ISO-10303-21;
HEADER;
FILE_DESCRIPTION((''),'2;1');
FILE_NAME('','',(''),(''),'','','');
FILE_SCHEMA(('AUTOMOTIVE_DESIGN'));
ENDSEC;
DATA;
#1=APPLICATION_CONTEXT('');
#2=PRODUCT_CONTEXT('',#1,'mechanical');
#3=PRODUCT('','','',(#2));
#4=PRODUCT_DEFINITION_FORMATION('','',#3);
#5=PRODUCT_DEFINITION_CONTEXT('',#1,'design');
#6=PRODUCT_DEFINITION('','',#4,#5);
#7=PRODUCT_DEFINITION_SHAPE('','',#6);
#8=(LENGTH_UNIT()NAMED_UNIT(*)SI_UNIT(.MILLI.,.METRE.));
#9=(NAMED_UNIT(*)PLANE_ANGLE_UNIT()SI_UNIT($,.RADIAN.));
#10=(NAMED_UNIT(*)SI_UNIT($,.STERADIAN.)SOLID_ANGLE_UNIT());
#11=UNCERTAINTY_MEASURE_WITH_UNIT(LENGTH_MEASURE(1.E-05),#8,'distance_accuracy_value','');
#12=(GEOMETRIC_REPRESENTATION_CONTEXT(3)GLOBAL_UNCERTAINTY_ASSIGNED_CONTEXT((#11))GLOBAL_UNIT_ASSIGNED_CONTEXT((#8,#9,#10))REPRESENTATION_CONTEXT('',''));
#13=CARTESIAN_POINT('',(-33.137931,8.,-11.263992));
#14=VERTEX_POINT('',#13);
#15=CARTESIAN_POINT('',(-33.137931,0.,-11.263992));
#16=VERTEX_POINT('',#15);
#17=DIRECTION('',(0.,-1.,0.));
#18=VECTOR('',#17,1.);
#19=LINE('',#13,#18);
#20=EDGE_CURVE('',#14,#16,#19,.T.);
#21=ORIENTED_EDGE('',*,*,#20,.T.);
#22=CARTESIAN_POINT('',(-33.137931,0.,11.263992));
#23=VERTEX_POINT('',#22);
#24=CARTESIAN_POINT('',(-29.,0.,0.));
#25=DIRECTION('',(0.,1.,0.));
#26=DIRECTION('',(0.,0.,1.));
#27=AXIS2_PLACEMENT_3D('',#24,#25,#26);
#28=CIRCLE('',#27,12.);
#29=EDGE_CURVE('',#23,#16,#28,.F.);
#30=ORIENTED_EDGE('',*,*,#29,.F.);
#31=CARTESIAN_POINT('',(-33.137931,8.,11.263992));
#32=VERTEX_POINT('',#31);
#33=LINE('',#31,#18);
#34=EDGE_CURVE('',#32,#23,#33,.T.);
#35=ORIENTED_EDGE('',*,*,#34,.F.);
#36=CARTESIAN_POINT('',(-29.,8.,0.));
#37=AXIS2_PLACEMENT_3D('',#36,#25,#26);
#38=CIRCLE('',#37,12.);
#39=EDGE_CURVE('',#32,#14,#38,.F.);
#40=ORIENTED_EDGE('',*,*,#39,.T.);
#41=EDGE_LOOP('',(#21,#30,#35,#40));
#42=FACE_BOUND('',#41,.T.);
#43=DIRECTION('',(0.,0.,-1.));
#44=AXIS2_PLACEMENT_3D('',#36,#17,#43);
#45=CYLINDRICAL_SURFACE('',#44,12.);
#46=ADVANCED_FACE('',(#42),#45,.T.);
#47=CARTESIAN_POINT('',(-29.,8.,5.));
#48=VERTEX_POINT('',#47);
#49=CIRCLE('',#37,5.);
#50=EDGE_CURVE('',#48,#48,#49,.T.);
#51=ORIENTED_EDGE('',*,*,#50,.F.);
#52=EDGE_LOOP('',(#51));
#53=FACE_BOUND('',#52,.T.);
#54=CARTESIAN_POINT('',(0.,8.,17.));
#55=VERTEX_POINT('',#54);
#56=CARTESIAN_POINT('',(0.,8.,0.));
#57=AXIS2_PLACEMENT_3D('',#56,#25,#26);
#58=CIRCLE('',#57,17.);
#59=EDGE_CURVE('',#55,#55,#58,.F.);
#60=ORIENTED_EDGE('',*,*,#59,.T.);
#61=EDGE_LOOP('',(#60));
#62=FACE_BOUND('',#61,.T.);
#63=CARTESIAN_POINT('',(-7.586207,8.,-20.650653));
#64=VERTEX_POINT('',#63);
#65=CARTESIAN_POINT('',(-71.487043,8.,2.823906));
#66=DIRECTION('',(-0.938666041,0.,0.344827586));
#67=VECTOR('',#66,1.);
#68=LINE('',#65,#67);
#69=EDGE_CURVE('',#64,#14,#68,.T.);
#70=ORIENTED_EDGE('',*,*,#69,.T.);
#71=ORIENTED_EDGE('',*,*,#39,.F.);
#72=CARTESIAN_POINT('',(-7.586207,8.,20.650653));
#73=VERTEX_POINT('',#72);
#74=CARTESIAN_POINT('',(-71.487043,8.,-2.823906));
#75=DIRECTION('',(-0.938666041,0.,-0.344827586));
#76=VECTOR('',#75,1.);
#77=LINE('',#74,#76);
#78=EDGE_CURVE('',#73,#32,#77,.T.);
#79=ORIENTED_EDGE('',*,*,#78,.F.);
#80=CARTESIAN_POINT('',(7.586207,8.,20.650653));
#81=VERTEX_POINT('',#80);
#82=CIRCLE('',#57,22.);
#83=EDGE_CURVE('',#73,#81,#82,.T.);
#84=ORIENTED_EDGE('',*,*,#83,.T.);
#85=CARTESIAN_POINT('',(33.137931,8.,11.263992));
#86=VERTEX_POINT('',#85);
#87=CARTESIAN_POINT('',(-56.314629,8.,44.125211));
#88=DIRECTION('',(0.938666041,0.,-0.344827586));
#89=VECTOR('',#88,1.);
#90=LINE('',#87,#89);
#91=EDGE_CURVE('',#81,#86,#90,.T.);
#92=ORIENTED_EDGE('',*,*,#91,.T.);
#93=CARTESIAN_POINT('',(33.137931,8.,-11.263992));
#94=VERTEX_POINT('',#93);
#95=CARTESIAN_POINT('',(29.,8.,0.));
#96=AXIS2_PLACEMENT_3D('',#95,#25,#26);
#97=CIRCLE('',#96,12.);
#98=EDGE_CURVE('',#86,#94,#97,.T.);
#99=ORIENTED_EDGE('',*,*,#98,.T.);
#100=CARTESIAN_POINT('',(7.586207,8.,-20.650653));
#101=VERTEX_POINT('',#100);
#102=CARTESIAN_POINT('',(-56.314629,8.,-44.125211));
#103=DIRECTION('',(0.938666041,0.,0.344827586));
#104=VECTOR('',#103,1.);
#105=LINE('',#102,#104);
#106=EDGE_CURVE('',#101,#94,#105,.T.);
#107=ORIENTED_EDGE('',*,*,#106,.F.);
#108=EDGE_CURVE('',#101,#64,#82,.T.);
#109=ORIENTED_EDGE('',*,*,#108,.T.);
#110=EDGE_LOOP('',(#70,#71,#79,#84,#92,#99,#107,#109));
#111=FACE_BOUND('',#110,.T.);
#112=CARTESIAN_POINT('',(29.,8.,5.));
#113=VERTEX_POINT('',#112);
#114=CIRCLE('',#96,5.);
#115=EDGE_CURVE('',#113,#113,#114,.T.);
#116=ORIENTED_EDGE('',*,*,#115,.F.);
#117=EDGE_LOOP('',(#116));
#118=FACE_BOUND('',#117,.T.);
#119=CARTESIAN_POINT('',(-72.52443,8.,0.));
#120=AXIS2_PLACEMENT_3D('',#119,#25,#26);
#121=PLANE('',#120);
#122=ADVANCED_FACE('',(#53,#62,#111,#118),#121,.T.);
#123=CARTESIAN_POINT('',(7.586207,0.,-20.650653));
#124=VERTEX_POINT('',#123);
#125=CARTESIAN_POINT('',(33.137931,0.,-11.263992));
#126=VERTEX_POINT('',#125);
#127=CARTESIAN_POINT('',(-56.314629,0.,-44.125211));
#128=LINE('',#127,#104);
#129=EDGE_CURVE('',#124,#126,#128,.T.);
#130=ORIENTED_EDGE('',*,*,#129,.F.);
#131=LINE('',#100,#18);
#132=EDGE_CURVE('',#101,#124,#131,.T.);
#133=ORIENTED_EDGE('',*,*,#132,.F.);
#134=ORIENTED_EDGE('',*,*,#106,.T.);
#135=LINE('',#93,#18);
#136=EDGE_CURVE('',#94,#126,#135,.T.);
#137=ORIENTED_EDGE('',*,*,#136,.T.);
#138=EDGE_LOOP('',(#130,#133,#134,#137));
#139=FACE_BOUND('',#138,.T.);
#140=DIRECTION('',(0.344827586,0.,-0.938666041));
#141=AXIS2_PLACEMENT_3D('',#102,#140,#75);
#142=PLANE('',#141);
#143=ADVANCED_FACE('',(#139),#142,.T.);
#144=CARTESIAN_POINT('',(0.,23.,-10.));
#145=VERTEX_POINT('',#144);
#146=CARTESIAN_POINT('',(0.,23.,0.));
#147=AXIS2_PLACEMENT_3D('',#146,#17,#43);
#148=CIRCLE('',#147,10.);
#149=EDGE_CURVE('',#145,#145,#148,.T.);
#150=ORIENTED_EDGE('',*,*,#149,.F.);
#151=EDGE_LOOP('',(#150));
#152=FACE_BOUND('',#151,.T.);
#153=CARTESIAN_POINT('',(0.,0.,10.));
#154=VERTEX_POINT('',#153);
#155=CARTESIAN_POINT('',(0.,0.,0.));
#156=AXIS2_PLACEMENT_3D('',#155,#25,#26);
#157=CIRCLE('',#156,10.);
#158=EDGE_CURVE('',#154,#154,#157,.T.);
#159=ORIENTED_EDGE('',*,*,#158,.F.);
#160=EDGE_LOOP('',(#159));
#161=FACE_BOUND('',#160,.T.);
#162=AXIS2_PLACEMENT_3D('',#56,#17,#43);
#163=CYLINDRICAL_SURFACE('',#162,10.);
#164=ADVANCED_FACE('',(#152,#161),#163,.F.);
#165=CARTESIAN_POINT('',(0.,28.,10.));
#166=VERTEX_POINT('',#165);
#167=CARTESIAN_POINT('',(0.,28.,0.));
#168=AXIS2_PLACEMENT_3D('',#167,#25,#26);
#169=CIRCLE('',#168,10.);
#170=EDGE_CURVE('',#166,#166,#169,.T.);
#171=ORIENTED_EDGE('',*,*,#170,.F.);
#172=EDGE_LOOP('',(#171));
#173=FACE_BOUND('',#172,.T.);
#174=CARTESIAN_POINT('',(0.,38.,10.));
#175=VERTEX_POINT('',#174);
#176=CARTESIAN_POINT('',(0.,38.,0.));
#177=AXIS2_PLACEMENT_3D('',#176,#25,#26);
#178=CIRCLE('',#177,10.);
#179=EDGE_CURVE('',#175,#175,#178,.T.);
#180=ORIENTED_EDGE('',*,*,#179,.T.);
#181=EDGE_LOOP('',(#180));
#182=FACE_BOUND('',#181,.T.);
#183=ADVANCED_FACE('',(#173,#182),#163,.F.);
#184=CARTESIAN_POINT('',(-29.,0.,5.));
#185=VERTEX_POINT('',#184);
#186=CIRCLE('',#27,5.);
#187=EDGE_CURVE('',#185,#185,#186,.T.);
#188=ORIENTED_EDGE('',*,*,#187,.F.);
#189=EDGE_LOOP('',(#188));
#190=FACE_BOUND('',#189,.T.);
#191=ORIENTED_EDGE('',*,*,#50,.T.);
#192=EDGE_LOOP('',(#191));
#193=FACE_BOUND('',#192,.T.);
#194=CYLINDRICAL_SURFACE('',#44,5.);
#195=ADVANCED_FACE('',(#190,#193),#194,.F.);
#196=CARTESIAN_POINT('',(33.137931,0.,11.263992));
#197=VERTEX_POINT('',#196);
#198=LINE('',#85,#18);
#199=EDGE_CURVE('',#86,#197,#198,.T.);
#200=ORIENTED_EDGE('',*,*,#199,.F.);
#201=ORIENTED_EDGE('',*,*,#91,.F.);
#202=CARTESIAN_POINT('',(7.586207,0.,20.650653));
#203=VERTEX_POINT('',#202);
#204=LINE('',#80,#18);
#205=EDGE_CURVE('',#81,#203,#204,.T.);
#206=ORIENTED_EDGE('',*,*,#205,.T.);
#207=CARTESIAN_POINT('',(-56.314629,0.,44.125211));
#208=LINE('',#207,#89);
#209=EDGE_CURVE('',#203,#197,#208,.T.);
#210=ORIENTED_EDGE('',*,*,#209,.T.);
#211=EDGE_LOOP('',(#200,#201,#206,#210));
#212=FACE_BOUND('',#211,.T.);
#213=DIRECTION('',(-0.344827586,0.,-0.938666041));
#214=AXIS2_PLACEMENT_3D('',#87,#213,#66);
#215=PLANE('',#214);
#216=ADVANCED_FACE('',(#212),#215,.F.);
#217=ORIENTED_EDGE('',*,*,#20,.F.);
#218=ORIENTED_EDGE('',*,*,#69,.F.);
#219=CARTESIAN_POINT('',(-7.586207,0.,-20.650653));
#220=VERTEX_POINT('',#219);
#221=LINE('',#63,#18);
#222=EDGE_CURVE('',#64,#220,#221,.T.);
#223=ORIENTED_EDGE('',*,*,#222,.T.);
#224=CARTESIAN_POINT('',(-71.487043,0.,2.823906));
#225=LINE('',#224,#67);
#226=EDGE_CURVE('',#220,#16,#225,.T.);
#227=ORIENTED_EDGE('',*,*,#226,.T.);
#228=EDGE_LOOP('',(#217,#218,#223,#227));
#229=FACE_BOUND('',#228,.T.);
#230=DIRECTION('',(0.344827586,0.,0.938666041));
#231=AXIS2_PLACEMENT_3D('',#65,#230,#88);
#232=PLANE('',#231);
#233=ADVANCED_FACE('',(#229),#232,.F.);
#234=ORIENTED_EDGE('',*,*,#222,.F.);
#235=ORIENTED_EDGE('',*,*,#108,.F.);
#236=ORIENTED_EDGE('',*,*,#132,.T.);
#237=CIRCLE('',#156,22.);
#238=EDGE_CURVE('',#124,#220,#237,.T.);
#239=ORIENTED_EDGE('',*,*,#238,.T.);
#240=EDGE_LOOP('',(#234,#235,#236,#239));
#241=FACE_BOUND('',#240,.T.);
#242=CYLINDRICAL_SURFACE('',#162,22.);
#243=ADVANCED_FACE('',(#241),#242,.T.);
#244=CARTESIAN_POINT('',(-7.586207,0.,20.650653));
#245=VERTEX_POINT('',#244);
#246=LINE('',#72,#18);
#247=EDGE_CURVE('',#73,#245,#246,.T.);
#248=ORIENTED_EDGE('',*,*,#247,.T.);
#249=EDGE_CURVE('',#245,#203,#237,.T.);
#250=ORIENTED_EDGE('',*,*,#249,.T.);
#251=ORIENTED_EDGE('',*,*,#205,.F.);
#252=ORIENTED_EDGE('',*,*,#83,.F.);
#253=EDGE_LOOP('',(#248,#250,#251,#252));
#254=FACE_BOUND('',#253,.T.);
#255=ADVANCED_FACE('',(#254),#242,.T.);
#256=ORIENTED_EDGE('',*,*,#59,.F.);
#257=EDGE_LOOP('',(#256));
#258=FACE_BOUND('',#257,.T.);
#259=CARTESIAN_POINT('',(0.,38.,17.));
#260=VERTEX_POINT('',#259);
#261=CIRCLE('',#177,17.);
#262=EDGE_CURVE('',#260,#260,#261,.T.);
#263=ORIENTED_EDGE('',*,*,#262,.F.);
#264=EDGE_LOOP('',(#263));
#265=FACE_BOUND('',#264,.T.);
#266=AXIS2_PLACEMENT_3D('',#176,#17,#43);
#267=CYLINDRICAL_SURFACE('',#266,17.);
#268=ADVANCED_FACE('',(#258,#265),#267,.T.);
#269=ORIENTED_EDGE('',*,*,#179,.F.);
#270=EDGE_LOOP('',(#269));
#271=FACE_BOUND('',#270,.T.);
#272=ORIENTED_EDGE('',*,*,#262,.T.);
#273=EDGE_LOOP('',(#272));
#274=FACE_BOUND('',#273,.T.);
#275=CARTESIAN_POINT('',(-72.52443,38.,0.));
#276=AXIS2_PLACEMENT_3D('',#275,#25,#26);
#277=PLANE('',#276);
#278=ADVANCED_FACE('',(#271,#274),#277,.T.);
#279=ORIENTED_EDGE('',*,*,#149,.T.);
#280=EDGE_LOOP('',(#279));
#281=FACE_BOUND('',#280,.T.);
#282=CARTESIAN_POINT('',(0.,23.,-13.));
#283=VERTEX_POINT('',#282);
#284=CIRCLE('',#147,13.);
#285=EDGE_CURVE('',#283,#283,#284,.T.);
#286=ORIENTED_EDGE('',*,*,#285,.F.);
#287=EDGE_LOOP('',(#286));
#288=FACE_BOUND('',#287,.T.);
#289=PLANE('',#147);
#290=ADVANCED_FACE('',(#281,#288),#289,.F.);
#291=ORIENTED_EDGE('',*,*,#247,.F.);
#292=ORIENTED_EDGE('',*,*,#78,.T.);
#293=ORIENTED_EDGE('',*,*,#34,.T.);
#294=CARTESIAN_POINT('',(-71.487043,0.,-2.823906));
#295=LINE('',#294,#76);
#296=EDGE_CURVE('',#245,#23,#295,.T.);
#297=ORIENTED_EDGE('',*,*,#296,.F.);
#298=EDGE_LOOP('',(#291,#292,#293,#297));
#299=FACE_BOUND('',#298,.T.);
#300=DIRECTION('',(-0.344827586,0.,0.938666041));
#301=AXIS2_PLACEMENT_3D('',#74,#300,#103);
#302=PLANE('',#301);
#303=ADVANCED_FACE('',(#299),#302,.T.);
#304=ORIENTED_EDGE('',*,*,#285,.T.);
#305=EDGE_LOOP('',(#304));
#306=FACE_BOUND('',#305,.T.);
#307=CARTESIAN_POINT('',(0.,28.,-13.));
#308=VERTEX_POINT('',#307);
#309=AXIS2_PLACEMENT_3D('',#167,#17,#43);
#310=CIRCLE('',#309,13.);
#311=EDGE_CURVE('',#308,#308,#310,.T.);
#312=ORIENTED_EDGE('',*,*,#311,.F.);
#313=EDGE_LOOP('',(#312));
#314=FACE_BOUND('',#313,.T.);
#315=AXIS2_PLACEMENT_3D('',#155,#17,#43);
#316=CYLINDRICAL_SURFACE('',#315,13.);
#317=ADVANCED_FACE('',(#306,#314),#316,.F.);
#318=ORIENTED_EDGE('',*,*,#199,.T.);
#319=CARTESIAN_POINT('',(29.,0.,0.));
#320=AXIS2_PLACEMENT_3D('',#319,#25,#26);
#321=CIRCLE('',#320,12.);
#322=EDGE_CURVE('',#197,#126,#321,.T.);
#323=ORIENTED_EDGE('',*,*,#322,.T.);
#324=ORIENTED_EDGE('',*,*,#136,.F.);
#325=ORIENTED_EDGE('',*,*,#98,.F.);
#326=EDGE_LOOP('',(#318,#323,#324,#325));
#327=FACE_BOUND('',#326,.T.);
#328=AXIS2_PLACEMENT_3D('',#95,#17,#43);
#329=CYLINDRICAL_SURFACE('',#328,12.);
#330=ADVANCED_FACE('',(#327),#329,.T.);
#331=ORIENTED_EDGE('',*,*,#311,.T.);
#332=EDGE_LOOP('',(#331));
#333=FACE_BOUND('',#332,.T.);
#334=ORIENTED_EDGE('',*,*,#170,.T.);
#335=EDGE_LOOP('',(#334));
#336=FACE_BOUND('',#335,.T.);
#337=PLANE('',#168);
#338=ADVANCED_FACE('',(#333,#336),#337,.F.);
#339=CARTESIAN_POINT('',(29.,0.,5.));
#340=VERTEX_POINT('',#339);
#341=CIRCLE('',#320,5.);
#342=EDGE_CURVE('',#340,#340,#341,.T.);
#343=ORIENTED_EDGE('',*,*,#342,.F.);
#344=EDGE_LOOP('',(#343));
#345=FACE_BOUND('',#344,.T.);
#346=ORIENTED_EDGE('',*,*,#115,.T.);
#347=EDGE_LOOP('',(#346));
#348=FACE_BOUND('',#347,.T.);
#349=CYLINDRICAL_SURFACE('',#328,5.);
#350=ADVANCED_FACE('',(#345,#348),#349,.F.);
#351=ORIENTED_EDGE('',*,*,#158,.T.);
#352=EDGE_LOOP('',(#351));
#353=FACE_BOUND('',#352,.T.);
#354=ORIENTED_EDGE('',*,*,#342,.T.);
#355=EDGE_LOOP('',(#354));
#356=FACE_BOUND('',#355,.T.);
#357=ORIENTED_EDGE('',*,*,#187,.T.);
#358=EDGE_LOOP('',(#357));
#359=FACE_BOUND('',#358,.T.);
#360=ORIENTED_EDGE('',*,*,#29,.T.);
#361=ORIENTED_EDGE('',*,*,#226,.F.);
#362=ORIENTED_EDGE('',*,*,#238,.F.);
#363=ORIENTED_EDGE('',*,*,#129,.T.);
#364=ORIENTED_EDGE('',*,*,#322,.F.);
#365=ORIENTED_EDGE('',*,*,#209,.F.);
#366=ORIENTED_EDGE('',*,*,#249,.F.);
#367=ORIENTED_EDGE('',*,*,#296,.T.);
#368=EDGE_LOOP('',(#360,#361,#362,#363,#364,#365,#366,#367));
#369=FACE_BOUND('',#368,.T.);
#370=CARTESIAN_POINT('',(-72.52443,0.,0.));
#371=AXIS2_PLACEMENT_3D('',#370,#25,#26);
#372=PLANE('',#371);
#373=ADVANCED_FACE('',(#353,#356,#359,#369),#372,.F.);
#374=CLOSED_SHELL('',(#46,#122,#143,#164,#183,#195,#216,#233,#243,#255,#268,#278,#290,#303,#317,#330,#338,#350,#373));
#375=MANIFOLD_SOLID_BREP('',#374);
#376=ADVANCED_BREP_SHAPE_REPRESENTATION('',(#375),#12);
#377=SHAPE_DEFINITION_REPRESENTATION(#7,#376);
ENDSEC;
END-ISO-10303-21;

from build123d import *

# Parameters (mm, degrees)
SKETCH_1_R      = 5
SKETCH_1_R_2    = 22
SKETCH_1_R_3    = 17
SKETCH_1_R_4    = 10
EXTRUDE_1_DEPTH = 8
SKETCH_1_3_R    = 17
SKETCH_1_3_R_2  = 10
EXTRUDE_2_DEPTH = 38
SKETCH_2_W      = 13
SKETCH_2_H      = 5


with BuildPart() as part:
    # 草圖1 → 伸長1 (new body)
    # profile 1 of 4: a face of its own
    with BuildSketch(Plane(origin=(0, 0, 0), x_dir=(1, 0, 0), z_dir=(0, 1, 0))):
        with BuildLine():
            Line((33.137931034, 11.263992487), (7.586206897, 20.650652893))
            ThreePointArc((7.586206897, 20.650652893), (18.040185028, 12.591732372), (22, 0))
            ThreePointArc((22, 0), (18.040185028, -12.591732372), (7.586206897, -20.650652893))
            Line((7.586206897, -20.650652893), (33.137931034, -11.263992487))
            ThreePointArc((33.137931034, -11.263992487), (41, 0), (33.137931034, 11.263992487))
        make_face()
        with Locations(Location((29, 0, 0), (0, 0, 270))):
            Circle(SKETCH_1_R, mode=Mode.SUBTRACT)
    # profile 2 of 4: a face of its own
    with BuildSketch(Plane(origin=(0, 0, 0), x_dir=(1, 0, 0), z_dir=(0, 1, 0))):
        Circle(SKETCH_1_R_2)
        Circle(SKETCH_1_R_3, mode=Mode.SUBTRACT)
    # profile 3 of 4: a face of its own
    with BuildSketch(Plane(origin=(0, 0, 0), x_dir=(1, 0, 0), z_dir=(0, 1, 0))):
        Circle(SKETCH_1_R_3)
        with Locations(Location((0, 0, 0), (0, 0, 270))):
            Circle(SKETCH_1_R_4, mode=Mode.SUBTRACT)
    # profile 4 of 4: a face of its own
    with BuildSketch(Plane(origin=(0, 0, 0), x_dir=(1, 0, 0), z_dir=(0, 1, 0))):
        with BuildLine():
            ThreePointArc((-7.586206897, -20.650652893), (-22, 0), (-7.586206897, 20.650652893))
            Line((-7.586206897, 20.650652893), (-33.137931034, 11.263992487))
            ThreePointArc((-33.137931034, 11.263992487), (-41, 0), (-33.137931034, -11.263992487))
            Line((-33.137931034, -11.263992487), (-7.586206897, -20.650652893))
        make_face()
        with Locations(Location((-29, 0, 0), (0, 0, 270))):
            Circle(SKETCH_1_R, mode=Mode.SUBTRACT)
    extrude(amount=EXTRUDE_1_DEPTH)

    # 草圖1<3> → 伸長2 (add)
    with BuildSketch(Plane(origin=(0, 0, 0), x_dir=(1, 0, 0), z_dir=(0, 1, 0))):
        with Locations(Location((0, 0, 0), (0, 0, 270))):
            Circle(SKETCH_1_3_R)
        with Locations(Location((0, 0, 0), (0, 0, 270))):
            Circle(SKETCH_1_3_R_2, mode=Mode.SUBTRACT)
    extrude(amount=EXTRUDE_2_DEPTH)

    # 草圖2 → 除料-旋轉1 (revolve, cut)
    with BuildSketch(Plane.XY, mode=Mode.PRIVATE) as cut_revolve_1_sk:
        with Locations((6.5, 25.5)):
            Rectangle(SKETCH_2_W, SKETCH_2_H)
    revolve(cut_revolve_1_sk.sketch.rotate(Axis((0, 0, 0), (0, 1, 0)), 90), axis=Axis((0, 0, 0), (0, 1, 0)), mode=Mode.SUBTRACT)


solid = part.part
